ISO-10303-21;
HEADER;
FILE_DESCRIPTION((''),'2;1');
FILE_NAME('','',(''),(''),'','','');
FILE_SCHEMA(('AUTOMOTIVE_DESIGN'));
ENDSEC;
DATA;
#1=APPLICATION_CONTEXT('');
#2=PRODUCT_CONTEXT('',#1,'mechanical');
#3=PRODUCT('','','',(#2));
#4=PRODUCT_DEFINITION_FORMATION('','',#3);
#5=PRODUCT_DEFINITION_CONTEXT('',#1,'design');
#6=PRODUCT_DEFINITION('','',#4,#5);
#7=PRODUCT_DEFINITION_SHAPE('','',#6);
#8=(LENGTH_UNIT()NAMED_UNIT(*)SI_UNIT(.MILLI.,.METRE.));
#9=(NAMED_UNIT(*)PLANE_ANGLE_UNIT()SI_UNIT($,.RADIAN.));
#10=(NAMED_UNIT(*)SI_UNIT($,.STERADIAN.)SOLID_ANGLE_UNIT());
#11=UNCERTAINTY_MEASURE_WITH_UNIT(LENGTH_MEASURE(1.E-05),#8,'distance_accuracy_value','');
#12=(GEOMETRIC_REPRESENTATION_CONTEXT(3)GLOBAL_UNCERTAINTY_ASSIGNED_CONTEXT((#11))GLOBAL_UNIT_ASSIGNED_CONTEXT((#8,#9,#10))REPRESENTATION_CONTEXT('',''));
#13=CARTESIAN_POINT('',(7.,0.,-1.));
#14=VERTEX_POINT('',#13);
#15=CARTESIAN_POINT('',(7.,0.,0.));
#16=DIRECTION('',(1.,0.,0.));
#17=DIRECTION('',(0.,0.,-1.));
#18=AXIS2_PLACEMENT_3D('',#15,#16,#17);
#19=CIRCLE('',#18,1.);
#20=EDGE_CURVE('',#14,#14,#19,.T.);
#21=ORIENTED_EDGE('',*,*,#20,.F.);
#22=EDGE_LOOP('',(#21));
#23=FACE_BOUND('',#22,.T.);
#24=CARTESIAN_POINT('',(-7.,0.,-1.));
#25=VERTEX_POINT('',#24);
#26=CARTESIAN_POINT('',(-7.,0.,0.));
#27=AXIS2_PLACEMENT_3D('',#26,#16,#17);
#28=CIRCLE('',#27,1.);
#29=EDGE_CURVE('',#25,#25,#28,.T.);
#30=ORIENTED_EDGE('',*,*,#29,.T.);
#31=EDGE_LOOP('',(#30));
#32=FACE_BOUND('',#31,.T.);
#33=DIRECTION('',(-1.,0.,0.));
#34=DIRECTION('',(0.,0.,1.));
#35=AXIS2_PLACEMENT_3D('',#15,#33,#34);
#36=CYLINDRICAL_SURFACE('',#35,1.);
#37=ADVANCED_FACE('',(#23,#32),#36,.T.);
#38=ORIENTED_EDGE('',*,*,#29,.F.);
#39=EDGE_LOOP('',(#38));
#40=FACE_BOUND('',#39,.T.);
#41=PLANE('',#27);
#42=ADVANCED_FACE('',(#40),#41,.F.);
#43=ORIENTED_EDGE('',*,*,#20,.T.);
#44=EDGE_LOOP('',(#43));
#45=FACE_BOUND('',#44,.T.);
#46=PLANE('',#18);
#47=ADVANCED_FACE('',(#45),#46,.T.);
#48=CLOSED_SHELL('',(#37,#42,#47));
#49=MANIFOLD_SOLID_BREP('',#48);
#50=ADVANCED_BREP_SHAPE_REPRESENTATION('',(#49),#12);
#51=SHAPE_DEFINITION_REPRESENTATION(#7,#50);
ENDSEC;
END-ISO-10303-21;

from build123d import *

# Parameters (mm, degrees)
SKIZZE1_R               = 1
LINEAR_AUSTRAGEN1_DEPTH = 7


with BuildPart() as part:
    # Skizze1 → Linear austragen1 (new body, symmetric)
    with BuildSketch(Plane(origin=(0, 0, 0), x_dir=(0, 0, -1), z_dir=(1, 0, 0))):
        Circle(SKIZZE1_R)
    extrude(amount=LINEAR_AUSTRAGEN1_DEPTH, both=True)


solid = part.part
